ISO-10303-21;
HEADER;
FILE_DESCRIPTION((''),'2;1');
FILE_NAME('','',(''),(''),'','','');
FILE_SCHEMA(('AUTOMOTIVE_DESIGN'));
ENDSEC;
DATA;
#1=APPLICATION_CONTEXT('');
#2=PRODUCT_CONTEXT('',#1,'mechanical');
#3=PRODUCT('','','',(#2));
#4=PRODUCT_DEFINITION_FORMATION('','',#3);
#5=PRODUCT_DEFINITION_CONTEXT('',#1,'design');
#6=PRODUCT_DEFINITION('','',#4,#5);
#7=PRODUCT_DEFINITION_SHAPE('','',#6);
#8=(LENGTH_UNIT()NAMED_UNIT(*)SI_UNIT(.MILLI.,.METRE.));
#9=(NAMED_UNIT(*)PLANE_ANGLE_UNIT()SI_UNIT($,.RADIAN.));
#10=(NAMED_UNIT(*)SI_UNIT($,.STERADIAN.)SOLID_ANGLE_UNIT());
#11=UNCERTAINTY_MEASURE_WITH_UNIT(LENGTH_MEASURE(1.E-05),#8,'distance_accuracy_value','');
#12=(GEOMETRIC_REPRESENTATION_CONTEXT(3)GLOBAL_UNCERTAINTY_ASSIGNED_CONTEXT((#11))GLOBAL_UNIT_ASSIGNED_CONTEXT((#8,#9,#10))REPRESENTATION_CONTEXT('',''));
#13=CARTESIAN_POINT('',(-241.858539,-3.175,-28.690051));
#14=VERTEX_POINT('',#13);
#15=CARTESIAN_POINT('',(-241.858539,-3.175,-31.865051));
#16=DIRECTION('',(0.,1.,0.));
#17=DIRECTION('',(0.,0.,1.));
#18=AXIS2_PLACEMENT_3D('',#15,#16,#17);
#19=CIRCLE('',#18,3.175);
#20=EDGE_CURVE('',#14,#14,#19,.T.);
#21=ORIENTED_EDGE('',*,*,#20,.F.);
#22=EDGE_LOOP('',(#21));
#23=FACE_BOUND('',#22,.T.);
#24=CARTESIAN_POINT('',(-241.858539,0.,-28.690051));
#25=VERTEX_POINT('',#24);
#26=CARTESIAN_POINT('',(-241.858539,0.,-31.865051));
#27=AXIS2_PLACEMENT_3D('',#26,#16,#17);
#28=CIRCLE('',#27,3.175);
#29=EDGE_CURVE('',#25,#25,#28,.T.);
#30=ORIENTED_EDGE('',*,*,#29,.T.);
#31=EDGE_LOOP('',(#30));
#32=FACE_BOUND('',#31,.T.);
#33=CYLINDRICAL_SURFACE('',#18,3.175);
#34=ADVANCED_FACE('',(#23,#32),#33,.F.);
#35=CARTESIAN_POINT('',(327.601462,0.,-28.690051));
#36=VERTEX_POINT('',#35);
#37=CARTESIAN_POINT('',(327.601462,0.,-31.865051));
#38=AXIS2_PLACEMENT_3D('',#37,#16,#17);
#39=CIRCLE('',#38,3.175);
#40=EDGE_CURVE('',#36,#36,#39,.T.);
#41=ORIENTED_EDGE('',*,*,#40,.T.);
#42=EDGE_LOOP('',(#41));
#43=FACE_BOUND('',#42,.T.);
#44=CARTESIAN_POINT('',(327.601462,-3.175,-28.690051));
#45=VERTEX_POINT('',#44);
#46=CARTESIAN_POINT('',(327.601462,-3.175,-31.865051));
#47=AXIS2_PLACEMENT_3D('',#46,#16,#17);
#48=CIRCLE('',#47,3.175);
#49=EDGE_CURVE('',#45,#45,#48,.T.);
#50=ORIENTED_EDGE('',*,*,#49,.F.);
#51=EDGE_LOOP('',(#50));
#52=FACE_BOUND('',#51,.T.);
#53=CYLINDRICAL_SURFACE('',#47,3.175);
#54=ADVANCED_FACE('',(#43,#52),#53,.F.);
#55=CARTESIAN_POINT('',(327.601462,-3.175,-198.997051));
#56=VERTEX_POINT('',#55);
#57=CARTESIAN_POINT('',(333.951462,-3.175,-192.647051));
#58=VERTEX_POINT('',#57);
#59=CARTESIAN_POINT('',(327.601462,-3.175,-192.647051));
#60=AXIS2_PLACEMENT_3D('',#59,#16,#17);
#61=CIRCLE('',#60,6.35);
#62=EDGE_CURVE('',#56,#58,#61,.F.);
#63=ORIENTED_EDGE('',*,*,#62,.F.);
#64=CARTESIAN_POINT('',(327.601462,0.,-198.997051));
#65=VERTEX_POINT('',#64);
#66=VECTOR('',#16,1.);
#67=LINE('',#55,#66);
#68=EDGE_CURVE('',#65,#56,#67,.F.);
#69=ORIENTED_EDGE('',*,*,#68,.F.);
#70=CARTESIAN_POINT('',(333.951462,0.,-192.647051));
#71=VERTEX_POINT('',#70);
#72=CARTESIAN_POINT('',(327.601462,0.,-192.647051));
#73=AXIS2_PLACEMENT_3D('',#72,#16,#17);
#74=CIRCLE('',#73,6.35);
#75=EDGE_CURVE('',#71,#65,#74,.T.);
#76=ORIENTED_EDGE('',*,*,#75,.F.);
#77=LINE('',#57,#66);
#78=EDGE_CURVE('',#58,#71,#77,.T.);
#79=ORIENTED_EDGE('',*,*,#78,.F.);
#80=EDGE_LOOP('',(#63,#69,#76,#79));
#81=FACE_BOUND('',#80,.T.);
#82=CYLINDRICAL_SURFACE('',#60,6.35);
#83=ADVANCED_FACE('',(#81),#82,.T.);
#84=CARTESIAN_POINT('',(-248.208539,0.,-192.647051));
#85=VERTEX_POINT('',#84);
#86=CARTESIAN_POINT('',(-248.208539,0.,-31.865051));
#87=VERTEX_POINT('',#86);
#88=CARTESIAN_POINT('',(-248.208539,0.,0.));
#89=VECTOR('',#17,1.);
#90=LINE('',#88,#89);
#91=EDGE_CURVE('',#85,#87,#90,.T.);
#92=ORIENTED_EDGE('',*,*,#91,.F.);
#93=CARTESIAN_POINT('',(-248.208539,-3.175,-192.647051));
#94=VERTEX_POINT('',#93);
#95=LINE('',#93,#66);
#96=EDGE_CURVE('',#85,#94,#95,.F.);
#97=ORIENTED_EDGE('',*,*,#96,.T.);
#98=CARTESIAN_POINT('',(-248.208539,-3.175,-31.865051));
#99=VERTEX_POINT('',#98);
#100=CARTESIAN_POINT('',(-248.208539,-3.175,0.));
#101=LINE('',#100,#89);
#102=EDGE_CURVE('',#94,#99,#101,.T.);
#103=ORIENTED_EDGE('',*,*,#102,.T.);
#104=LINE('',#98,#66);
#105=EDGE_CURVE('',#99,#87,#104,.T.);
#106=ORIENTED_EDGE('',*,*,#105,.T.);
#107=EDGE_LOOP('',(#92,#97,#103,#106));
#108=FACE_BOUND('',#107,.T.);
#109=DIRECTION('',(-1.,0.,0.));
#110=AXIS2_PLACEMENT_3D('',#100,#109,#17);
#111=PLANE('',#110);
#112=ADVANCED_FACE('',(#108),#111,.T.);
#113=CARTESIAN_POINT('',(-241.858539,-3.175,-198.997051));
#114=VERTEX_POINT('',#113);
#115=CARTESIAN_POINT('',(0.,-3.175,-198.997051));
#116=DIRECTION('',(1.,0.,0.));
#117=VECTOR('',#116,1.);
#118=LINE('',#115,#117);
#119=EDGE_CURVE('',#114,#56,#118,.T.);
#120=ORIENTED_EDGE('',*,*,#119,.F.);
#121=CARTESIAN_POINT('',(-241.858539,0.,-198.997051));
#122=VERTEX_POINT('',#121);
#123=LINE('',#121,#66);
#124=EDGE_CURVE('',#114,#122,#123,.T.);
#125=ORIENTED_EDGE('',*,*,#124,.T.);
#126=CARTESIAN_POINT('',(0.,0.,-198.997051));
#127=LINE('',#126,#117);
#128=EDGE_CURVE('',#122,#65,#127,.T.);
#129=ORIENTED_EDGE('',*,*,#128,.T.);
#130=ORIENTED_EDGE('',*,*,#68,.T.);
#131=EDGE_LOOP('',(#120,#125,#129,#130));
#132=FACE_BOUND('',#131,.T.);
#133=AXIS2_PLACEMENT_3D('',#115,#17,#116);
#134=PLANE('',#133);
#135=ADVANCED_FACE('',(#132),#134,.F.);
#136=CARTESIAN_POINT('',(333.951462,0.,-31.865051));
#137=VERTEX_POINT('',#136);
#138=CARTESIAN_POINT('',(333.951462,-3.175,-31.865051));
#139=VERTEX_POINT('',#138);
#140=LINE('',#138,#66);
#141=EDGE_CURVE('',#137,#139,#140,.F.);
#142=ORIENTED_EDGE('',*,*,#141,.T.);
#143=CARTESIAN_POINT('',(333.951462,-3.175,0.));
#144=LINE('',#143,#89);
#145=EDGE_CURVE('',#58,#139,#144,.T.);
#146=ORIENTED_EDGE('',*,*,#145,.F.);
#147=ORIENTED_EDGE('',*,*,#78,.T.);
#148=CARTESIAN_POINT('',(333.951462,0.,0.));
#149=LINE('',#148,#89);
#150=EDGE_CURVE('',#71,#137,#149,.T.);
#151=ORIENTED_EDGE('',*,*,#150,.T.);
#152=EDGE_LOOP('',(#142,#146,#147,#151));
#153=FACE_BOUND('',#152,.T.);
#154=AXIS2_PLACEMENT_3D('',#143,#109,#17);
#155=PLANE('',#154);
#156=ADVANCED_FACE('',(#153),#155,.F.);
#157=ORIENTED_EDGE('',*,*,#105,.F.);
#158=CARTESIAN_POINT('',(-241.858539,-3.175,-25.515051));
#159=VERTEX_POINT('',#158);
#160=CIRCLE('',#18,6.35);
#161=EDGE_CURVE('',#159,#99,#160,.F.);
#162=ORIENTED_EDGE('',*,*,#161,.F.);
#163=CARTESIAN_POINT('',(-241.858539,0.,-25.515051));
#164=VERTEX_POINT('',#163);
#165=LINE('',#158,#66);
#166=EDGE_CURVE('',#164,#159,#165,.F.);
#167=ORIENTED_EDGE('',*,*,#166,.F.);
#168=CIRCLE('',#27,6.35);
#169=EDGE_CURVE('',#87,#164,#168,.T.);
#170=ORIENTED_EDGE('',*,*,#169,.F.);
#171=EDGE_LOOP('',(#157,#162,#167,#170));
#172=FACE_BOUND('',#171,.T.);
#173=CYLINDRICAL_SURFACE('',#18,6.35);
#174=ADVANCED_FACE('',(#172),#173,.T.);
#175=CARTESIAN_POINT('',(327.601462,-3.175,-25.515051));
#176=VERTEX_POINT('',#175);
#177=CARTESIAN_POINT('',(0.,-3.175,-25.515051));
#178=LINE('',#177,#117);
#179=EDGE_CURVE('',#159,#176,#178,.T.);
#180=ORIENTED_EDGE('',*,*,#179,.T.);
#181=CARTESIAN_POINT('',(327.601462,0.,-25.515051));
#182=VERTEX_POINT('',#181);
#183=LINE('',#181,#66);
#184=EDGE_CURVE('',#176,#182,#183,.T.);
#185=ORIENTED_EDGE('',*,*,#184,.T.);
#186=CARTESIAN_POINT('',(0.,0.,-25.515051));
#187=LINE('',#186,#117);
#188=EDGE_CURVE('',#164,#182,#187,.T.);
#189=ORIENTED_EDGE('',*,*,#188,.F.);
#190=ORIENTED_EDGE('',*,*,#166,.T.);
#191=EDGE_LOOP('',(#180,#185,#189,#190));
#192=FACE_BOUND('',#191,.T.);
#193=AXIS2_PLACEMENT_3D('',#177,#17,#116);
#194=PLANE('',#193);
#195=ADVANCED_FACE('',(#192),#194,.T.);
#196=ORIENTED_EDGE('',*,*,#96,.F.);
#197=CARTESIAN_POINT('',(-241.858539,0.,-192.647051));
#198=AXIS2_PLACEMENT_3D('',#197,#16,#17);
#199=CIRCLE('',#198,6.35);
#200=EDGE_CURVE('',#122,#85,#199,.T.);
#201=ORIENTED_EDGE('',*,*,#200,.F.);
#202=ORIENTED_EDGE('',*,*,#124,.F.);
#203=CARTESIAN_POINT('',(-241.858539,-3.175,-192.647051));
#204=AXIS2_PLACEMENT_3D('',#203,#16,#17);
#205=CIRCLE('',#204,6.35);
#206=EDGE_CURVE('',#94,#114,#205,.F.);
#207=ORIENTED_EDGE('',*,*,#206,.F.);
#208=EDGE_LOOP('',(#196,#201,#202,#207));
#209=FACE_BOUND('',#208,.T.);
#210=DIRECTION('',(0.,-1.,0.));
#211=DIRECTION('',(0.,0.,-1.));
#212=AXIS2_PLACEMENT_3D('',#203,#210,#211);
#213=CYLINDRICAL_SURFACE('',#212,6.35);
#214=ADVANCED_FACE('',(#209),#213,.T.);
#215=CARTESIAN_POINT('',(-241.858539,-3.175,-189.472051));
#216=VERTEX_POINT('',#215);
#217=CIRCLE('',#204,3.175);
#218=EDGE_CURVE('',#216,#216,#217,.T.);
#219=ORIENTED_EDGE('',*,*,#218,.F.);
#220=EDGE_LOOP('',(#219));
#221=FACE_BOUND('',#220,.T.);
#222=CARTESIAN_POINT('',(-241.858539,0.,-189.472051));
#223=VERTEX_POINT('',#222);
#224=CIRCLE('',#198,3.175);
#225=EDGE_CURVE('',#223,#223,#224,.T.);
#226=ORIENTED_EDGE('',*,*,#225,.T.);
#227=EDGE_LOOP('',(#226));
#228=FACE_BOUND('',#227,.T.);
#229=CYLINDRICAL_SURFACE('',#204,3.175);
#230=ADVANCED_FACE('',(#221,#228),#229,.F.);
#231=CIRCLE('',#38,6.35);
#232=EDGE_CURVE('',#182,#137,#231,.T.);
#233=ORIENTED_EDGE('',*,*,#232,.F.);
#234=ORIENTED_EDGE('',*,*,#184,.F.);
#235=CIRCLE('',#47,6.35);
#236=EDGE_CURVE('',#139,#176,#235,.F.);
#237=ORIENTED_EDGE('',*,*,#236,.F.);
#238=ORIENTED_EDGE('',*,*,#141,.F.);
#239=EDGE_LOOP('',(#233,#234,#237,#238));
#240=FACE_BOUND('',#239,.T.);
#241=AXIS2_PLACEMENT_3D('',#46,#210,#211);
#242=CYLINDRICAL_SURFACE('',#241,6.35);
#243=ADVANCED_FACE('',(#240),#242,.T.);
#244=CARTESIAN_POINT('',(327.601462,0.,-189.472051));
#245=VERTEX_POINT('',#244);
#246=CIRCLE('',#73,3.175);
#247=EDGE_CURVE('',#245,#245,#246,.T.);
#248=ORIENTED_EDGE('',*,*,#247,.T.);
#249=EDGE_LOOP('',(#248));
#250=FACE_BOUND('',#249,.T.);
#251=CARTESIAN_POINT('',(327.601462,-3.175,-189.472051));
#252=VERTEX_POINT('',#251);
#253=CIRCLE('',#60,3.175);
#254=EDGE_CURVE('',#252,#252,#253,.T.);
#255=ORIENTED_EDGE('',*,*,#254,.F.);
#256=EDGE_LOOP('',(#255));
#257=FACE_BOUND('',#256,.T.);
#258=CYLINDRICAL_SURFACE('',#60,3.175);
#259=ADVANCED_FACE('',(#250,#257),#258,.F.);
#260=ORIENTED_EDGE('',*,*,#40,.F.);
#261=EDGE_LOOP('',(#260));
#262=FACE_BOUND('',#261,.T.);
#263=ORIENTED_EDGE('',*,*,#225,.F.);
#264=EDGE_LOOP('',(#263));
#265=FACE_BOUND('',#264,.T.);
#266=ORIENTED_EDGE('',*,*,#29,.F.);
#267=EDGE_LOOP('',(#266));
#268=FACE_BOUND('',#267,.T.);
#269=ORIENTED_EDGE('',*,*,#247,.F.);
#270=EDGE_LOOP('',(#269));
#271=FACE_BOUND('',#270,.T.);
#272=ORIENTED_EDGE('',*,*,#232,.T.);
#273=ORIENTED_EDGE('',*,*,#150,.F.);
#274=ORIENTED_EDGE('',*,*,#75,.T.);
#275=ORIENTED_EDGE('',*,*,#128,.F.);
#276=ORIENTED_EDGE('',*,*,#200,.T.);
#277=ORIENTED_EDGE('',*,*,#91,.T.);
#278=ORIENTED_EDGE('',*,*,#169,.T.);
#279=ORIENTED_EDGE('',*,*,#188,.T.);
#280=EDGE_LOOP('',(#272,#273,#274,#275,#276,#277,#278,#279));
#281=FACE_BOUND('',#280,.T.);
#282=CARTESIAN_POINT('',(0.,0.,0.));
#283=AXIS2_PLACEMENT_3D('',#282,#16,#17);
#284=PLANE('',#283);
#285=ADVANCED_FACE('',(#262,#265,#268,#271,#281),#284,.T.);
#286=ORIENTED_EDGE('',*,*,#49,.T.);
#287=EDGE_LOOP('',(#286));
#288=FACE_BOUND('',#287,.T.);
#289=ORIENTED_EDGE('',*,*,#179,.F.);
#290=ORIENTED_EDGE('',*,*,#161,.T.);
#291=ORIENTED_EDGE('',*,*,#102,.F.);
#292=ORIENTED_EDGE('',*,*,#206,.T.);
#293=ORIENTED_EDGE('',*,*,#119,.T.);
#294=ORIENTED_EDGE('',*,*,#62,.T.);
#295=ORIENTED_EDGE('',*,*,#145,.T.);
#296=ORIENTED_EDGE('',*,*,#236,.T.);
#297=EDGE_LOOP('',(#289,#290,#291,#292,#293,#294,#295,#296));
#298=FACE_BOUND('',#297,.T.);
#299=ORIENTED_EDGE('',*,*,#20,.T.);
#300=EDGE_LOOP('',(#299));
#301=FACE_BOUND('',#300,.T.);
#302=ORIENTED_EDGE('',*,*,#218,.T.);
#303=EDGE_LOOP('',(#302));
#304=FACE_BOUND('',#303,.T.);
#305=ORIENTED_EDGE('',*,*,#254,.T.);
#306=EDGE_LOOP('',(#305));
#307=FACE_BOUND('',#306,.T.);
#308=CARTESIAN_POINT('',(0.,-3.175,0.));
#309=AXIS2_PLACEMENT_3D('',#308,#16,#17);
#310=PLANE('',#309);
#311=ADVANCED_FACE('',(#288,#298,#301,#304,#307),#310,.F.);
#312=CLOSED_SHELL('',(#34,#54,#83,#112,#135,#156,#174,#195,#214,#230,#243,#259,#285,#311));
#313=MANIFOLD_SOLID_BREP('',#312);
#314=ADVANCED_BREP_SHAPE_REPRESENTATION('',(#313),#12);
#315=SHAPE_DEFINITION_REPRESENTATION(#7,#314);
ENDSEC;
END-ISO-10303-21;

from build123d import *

# Parameters (mm, degrees)
SKETCH1_W           = 582.160000372
SKETCH1_H           = 173.482
SKETCH1_R           = 3.175
BOSS_EXTRUDE1_DEPTH = 3.175
FILLET1_R           = 6.35


with BuildPart() as part:
    # Sketch1 → Boss-Extrude1 (new body)
    with BuildSketch(Plane(origin=(0, 0, 0), x_dir=(1, 0, 0), z_dir=(0, 1, 0))):
        with Locations((42.871461676, 112.256050824)):
            Rectangle(SKETCH1_W, SKETCH1_H)
        with Locations((327.601461862, 192.647050824)):
            Circle(SKETCH1_R, mode=Mode.SUBTRACT)
        with Locations((327.601461862, 31.865050824)):
            Circle(SKETCH1_R, mode=Mode.SUBTRACT)
        with Locations((-241.85853851, 31.865050824)):
            Circle(SKETCH1_R, mode=Mode.SUBTRACT)
        with Locations((-241.85853851, 192.647050824)):
            Circle(SKETCH1_R, mode=Mode.SUBTRACT)
    extrude(amount=-BOSS_EXTRUDE1_DEPTH)

    # Fillet1
    fillet1_edges = [part.edges().sort_by_distance(p)[0] for p in [
        (333.951461862, -1.5875, -25.515050824),
        (-248.20853851, -1.5875, -25.515050824),
        (-248.20853851, -1.5875, -198.997050824),
        (333.951461862, -1.5875, -198.997050824),
    ]]
    fillet(fillet1_edges, radius=FILLET1_R)


solid = part.part
